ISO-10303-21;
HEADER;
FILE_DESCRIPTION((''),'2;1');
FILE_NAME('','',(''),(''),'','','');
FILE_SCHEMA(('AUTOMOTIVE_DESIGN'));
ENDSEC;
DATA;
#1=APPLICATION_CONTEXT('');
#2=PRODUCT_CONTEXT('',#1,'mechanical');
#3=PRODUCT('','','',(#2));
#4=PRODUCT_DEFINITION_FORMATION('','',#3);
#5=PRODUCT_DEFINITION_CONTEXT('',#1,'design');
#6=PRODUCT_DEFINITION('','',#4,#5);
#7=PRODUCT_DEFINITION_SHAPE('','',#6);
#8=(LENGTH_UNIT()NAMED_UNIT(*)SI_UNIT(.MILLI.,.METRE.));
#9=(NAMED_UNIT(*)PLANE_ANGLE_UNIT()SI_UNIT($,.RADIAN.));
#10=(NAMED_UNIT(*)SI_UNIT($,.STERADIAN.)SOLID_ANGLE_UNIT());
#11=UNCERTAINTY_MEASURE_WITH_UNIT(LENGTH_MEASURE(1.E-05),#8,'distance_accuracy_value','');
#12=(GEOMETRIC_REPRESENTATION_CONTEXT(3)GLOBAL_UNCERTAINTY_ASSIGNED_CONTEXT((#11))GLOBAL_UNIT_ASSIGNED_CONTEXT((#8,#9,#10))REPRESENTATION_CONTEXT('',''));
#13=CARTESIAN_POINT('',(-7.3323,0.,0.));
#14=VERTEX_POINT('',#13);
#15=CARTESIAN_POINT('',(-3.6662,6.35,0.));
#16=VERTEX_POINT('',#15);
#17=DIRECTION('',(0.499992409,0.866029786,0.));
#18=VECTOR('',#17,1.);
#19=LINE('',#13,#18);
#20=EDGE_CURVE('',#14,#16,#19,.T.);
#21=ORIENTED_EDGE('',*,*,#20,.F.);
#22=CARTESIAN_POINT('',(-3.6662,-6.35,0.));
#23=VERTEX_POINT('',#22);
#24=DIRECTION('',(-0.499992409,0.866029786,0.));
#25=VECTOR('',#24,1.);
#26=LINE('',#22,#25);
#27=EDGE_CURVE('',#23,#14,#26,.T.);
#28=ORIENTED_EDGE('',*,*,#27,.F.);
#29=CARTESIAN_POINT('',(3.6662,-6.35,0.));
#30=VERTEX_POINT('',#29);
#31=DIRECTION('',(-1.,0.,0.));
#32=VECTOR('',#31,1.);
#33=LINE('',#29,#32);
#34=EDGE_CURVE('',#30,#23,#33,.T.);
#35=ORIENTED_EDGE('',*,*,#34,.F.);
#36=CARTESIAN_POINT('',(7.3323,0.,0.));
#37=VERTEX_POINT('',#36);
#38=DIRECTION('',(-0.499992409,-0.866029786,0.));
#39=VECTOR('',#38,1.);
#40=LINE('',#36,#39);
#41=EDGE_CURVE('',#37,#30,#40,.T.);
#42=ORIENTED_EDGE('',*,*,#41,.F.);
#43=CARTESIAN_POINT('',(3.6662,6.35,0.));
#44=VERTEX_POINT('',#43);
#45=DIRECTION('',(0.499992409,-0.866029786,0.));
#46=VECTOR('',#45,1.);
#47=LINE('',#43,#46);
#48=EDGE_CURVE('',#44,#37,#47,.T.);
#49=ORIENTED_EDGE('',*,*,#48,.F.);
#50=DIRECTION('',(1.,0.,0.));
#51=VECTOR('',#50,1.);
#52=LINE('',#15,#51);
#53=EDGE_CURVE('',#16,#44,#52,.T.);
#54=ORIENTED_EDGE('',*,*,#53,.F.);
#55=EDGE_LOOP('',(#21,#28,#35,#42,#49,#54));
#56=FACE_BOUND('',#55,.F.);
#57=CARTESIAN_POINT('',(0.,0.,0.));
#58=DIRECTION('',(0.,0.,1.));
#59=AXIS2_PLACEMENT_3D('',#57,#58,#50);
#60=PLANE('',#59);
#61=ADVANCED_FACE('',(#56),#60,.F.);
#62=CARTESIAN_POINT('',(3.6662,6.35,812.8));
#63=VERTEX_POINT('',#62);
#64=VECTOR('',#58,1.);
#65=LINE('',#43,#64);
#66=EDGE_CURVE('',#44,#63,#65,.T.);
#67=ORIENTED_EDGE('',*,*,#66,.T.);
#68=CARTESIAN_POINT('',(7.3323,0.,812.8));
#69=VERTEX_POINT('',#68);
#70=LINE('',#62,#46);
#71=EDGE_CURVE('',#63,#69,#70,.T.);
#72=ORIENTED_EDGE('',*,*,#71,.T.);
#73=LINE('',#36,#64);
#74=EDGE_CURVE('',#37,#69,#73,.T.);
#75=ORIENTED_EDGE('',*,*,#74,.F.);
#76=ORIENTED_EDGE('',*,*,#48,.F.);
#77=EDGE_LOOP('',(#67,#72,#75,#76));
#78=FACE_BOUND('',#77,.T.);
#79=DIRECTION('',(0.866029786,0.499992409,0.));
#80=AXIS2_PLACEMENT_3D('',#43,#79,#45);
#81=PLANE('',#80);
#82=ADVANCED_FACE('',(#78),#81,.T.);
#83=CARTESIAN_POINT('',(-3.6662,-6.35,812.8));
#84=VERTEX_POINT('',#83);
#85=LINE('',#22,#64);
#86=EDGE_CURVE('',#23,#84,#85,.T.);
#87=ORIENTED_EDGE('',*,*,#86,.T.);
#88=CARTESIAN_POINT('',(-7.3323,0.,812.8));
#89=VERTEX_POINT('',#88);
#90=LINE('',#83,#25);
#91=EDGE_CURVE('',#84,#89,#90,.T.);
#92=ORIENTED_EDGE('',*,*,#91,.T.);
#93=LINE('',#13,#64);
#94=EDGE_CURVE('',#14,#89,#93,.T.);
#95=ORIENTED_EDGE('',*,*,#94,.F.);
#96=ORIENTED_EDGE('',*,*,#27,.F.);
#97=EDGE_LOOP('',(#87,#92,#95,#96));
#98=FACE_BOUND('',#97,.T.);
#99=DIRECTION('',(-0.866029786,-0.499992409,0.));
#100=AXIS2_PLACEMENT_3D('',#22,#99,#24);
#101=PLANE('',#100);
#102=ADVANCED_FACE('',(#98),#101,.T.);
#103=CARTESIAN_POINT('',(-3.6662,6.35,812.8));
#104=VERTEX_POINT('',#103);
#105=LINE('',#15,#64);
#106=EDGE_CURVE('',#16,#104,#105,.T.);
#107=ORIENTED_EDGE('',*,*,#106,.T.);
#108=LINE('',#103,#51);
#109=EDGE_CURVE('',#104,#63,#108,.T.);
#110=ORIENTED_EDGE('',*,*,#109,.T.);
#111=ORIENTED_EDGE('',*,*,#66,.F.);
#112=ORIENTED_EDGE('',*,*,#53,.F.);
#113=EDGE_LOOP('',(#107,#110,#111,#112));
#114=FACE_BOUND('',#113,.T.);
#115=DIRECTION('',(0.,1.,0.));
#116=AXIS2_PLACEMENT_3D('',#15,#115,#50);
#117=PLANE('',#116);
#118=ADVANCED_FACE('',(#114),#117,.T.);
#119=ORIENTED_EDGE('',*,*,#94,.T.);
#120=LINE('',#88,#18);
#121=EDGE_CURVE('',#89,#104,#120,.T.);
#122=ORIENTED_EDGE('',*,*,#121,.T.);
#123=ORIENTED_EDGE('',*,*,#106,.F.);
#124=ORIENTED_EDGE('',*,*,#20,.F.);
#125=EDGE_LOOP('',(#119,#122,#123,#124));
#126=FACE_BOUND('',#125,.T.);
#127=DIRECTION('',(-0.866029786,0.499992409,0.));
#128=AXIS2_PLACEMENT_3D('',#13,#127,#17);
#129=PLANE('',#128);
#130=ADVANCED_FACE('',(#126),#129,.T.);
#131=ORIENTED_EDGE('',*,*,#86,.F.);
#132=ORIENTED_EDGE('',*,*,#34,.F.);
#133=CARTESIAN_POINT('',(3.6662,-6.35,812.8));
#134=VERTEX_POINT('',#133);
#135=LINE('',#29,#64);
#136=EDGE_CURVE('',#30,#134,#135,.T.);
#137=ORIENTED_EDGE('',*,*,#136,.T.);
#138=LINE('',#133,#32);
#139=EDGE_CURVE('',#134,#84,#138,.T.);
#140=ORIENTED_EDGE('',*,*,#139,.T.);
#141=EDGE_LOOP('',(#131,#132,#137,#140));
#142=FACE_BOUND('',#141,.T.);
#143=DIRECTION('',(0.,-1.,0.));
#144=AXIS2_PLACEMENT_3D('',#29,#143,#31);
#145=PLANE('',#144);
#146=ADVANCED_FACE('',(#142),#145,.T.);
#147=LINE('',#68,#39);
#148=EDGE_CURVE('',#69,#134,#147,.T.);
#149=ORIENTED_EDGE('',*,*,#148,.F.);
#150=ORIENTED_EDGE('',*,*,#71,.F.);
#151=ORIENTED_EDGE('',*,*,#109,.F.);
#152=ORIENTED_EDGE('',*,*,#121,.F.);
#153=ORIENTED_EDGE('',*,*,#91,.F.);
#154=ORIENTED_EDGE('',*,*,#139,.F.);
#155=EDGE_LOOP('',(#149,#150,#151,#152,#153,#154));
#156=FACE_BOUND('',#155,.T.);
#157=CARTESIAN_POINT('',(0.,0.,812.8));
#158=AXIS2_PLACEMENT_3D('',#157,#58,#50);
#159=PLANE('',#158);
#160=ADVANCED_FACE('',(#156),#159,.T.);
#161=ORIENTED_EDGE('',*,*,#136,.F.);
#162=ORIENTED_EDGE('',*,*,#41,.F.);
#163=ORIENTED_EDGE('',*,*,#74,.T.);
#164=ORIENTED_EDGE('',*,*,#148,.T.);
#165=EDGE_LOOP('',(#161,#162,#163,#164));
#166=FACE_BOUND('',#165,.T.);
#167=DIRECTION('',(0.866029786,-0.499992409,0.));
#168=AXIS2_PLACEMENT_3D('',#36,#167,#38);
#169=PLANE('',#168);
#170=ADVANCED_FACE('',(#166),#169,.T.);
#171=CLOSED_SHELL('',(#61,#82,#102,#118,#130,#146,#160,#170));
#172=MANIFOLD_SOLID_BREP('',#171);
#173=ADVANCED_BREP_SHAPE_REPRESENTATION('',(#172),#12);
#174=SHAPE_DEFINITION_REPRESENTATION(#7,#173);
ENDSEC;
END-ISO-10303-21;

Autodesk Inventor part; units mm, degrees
ref_plane "YZ Plane" through (0, 0, 0) normal (1, 0, 0) x (0, 1, 0)
ref_plane "XZ Plane" through (0, 0, 0) normal (0, 1, 0) x (-1, 0, 0)
ref_plane "XY Plane" through (0, 0, 0) normal (0, 0, 1) x (1, 0, 0)
sketch "Sketch1" plane through (0, 0, 0) normal (0, 0, 1) x (1, 0, 0)
  line L0 (3.6662, 6.35) -> (7.3323, 0)
  line L1 (7.3323, 0) -> (3.6662, -6.35)
  line L2 (3.6662, -6.35) -> (-3.6662, -6.35)
  line L3 (-3.6662, -6.35) -> (-7.3323, 0)
  line L4 (-7.3323, 0) -> (-3.6662, 6.35)
  line L5 (-3.6662, 6.35) -> (3.6662, 6.35)
  point P0 (0, 0)
  point P1 (0, 0)
  dimension "d0" = 12.7
extrude "Extrusion1" add sketch "Sketch1" along normal blind 812.8
properties part number "hex rod 31 inch" material "Steel, Alloy"
